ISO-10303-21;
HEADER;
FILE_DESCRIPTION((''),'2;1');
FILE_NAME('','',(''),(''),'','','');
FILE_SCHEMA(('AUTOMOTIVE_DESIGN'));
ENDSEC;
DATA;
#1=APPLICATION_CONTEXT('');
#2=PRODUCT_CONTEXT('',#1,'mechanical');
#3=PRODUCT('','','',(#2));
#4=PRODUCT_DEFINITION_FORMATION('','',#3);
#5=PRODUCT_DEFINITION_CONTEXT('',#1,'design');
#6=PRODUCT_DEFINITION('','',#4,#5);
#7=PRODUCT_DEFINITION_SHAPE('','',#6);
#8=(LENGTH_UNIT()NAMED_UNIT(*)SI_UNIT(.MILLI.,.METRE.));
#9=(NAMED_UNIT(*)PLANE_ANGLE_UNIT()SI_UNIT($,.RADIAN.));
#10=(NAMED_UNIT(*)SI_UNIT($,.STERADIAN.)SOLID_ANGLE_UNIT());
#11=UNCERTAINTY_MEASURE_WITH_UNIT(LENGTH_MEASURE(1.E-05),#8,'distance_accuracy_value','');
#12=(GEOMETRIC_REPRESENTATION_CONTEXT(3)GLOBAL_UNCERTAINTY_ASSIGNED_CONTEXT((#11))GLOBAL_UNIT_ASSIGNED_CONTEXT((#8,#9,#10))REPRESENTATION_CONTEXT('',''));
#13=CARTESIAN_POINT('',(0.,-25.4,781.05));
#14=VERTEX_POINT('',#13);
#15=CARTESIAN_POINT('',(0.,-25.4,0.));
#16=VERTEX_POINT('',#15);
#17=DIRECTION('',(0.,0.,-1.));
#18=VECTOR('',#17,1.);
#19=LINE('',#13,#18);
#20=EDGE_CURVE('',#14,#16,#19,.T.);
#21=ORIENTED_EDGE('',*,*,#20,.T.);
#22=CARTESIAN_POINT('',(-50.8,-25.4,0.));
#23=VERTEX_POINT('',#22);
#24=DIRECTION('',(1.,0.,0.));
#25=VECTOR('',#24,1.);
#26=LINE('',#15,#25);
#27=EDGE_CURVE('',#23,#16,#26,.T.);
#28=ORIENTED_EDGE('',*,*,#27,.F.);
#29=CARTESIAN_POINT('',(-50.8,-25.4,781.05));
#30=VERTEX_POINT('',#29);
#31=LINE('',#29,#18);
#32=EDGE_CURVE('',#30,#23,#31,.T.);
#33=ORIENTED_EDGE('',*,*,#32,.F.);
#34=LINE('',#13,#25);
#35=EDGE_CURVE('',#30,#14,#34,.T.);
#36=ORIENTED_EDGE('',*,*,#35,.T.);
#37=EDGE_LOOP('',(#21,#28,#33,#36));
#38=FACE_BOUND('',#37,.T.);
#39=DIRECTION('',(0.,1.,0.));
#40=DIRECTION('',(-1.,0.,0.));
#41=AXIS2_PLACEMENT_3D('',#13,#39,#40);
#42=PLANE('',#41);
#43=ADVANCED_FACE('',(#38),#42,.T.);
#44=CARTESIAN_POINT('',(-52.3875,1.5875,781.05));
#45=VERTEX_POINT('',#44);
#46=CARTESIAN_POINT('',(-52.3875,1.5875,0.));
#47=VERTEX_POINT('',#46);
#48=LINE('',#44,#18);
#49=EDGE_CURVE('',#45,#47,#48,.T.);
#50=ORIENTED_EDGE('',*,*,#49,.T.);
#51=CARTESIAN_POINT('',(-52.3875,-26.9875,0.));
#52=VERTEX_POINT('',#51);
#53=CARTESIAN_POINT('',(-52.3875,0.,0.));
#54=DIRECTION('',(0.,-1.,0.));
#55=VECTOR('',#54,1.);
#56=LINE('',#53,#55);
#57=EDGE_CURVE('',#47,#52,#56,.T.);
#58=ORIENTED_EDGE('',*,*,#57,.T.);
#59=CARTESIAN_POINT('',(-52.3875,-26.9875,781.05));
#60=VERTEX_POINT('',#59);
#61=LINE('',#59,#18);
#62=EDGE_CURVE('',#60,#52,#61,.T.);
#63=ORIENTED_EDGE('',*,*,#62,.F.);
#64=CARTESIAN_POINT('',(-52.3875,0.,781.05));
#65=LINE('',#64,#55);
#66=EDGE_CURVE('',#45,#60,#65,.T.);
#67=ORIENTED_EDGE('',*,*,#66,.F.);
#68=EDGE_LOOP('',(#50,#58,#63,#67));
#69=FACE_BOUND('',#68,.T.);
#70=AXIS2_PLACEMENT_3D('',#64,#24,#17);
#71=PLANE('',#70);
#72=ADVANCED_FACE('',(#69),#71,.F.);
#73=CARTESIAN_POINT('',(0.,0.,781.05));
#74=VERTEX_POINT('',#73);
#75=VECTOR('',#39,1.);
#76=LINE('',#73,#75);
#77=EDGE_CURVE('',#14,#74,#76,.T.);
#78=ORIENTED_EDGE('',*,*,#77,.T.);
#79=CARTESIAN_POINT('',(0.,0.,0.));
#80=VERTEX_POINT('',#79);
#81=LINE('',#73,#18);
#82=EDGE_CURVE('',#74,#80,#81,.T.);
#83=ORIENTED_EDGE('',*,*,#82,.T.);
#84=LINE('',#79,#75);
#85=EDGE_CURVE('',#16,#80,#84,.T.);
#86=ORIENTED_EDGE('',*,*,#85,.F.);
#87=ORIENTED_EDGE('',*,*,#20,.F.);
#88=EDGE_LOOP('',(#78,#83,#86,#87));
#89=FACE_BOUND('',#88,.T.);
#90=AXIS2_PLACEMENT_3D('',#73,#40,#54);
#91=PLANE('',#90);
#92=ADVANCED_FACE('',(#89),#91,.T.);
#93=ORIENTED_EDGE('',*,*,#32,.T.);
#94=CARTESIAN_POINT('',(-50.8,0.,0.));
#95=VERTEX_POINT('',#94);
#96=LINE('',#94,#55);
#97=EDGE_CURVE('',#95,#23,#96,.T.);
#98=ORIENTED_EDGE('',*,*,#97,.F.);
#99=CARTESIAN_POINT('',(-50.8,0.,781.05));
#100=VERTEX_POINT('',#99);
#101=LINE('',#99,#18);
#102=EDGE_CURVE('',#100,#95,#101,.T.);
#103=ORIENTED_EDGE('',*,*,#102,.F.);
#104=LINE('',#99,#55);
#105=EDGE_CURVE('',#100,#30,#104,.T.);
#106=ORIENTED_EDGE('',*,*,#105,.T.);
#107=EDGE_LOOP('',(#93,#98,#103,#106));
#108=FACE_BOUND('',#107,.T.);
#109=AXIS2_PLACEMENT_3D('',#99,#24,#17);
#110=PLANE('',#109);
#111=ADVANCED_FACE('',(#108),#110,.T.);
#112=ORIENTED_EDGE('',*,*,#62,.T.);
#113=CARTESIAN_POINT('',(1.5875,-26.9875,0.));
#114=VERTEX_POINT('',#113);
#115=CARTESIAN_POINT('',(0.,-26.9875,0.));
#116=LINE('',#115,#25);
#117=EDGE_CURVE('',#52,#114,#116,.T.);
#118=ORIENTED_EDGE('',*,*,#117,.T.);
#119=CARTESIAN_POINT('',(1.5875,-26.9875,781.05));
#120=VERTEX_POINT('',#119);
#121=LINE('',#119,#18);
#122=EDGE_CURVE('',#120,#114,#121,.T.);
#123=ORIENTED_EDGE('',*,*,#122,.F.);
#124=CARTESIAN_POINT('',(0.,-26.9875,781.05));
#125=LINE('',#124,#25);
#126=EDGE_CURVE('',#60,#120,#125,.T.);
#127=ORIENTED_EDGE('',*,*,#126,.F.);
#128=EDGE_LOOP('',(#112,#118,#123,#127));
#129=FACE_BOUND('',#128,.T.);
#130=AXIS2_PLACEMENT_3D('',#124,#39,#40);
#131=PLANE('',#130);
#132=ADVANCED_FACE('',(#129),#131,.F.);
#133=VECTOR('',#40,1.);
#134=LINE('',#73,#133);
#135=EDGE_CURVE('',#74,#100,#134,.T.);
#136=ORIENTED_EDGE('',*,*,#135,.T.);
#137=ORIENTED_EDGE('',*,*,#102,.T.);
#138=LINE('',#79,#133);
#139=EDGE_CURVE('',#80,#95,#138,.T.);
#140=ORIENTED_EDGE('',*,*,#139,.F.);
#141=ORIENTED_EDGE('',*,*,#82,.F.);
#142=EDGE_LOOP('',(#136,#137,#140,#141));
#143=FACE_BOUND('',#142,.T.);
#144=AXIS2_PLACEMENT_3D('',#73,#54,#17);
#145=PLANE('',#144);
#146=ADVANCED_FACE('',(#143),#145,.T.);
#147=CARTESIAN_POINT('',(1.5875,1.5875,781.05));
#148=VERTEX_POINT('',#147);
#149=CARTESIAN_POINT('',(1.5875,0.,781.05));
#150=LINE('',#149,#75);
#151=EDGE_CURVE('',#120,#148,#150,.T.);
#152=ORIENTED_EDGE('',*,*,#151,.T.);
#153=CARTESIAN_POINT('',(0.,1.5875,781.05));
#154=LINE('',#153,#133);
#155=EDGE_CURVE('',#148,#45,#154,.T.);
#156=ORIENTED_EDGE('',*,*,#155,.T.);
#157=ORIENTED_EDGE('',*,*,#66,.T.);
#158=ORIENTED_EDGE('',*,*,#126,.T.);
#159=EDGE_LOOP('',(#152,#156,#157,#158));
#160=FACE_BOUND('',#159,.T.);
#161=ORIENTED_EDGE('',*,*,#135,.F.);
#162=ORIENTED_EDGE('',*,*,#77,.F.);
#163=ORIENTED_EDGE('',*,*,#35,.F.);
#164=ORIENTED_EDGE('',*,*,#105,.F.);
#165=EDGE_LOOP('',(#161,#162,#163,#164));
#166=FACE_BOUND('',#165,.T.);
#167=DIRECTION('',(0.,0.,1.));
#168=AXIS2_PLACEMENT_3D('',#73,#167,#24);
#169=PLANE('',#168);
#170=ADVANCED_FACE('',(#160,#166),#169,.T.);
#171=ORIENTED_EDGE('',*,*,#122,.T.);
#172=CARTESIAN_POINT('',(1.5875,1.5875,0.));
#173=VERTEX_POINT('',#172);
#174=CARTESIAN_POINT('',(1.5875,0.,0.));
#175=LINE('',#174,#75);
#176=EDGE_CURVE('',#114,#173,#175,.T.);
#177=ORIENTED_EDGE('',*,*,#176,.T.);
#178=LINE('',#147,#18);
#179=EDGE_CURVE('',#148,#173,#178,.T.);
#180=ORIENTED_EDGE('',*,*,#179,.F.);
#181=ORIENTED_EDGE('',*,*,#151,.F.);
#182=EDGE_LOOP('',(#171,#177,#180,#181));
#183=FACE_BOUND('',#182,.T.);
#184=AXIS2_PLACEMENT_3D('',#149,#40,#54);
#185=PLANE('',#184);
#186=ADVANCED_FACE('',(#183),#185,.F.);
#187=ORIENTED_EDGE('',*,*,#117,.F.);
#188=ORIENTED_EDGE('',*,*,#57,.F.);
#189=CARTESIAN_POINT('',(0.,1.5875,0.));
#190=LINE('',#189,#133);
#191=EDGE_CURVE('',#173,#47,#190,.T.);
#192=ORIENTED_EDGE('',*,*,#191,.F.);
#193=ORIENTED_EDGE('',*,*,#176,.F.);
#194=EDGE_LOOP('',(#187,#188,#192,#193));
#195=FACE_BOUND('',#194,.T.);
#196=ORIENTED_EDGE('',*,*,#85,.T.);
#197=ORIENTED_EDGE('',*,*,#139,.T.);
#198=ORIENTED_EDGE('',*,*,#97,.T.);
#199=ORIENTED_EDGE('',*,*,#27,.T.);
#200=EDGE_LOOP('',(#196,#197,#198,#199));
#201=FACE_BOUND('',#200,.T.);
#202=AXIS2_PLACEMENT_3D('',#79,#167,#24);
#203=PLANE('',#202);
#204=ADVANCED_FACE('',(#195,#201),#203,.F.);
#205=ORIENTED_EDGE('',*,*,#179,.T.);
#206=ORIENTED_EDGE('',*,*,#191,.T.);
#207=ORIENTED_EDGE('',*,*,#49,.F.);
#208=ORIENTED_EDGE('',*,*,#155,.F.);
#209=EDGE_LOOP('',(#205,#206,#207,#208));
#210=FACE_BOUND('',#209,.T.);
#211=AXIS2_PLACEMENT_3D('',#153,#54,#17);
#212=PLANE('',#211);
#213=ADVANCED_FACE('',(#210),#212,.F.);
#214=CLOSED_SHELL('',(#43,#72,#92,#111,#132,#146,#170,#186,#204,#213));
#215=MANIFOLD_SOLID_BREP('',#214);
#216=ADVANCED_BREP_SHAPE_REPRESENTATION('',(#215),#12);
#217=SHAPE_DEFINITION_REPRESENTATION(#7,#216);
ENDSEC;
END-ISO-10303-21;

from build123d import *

# Parameters (mm, degrees)
SKETCH1_W           = 53.975
SKETCH1_H           = 28.575
SKETCH1_W_2         = 50.8
SKETCH1_H_2         = 25.4
EXTRUDE_THIN1_DEPTH = 781.05


with BuildPart() as part:
    # Sketch1 → Extrude-Thin1 (new body)
    with BuildSketch(Plane.XY):
        with Locations((-25.4, -12.7)):
            Rectangle(SKETCH1_W, SKETCH1_H)
        with Locations((-25.4, -12.7)):
            Rectangle(SKETCH1_W_2, SKETCH1_H_2, mode=Mode.SUBTRACT)
    extrude(amount=EXTRUDE_THIN1_DEPTH)


solid = part.part
